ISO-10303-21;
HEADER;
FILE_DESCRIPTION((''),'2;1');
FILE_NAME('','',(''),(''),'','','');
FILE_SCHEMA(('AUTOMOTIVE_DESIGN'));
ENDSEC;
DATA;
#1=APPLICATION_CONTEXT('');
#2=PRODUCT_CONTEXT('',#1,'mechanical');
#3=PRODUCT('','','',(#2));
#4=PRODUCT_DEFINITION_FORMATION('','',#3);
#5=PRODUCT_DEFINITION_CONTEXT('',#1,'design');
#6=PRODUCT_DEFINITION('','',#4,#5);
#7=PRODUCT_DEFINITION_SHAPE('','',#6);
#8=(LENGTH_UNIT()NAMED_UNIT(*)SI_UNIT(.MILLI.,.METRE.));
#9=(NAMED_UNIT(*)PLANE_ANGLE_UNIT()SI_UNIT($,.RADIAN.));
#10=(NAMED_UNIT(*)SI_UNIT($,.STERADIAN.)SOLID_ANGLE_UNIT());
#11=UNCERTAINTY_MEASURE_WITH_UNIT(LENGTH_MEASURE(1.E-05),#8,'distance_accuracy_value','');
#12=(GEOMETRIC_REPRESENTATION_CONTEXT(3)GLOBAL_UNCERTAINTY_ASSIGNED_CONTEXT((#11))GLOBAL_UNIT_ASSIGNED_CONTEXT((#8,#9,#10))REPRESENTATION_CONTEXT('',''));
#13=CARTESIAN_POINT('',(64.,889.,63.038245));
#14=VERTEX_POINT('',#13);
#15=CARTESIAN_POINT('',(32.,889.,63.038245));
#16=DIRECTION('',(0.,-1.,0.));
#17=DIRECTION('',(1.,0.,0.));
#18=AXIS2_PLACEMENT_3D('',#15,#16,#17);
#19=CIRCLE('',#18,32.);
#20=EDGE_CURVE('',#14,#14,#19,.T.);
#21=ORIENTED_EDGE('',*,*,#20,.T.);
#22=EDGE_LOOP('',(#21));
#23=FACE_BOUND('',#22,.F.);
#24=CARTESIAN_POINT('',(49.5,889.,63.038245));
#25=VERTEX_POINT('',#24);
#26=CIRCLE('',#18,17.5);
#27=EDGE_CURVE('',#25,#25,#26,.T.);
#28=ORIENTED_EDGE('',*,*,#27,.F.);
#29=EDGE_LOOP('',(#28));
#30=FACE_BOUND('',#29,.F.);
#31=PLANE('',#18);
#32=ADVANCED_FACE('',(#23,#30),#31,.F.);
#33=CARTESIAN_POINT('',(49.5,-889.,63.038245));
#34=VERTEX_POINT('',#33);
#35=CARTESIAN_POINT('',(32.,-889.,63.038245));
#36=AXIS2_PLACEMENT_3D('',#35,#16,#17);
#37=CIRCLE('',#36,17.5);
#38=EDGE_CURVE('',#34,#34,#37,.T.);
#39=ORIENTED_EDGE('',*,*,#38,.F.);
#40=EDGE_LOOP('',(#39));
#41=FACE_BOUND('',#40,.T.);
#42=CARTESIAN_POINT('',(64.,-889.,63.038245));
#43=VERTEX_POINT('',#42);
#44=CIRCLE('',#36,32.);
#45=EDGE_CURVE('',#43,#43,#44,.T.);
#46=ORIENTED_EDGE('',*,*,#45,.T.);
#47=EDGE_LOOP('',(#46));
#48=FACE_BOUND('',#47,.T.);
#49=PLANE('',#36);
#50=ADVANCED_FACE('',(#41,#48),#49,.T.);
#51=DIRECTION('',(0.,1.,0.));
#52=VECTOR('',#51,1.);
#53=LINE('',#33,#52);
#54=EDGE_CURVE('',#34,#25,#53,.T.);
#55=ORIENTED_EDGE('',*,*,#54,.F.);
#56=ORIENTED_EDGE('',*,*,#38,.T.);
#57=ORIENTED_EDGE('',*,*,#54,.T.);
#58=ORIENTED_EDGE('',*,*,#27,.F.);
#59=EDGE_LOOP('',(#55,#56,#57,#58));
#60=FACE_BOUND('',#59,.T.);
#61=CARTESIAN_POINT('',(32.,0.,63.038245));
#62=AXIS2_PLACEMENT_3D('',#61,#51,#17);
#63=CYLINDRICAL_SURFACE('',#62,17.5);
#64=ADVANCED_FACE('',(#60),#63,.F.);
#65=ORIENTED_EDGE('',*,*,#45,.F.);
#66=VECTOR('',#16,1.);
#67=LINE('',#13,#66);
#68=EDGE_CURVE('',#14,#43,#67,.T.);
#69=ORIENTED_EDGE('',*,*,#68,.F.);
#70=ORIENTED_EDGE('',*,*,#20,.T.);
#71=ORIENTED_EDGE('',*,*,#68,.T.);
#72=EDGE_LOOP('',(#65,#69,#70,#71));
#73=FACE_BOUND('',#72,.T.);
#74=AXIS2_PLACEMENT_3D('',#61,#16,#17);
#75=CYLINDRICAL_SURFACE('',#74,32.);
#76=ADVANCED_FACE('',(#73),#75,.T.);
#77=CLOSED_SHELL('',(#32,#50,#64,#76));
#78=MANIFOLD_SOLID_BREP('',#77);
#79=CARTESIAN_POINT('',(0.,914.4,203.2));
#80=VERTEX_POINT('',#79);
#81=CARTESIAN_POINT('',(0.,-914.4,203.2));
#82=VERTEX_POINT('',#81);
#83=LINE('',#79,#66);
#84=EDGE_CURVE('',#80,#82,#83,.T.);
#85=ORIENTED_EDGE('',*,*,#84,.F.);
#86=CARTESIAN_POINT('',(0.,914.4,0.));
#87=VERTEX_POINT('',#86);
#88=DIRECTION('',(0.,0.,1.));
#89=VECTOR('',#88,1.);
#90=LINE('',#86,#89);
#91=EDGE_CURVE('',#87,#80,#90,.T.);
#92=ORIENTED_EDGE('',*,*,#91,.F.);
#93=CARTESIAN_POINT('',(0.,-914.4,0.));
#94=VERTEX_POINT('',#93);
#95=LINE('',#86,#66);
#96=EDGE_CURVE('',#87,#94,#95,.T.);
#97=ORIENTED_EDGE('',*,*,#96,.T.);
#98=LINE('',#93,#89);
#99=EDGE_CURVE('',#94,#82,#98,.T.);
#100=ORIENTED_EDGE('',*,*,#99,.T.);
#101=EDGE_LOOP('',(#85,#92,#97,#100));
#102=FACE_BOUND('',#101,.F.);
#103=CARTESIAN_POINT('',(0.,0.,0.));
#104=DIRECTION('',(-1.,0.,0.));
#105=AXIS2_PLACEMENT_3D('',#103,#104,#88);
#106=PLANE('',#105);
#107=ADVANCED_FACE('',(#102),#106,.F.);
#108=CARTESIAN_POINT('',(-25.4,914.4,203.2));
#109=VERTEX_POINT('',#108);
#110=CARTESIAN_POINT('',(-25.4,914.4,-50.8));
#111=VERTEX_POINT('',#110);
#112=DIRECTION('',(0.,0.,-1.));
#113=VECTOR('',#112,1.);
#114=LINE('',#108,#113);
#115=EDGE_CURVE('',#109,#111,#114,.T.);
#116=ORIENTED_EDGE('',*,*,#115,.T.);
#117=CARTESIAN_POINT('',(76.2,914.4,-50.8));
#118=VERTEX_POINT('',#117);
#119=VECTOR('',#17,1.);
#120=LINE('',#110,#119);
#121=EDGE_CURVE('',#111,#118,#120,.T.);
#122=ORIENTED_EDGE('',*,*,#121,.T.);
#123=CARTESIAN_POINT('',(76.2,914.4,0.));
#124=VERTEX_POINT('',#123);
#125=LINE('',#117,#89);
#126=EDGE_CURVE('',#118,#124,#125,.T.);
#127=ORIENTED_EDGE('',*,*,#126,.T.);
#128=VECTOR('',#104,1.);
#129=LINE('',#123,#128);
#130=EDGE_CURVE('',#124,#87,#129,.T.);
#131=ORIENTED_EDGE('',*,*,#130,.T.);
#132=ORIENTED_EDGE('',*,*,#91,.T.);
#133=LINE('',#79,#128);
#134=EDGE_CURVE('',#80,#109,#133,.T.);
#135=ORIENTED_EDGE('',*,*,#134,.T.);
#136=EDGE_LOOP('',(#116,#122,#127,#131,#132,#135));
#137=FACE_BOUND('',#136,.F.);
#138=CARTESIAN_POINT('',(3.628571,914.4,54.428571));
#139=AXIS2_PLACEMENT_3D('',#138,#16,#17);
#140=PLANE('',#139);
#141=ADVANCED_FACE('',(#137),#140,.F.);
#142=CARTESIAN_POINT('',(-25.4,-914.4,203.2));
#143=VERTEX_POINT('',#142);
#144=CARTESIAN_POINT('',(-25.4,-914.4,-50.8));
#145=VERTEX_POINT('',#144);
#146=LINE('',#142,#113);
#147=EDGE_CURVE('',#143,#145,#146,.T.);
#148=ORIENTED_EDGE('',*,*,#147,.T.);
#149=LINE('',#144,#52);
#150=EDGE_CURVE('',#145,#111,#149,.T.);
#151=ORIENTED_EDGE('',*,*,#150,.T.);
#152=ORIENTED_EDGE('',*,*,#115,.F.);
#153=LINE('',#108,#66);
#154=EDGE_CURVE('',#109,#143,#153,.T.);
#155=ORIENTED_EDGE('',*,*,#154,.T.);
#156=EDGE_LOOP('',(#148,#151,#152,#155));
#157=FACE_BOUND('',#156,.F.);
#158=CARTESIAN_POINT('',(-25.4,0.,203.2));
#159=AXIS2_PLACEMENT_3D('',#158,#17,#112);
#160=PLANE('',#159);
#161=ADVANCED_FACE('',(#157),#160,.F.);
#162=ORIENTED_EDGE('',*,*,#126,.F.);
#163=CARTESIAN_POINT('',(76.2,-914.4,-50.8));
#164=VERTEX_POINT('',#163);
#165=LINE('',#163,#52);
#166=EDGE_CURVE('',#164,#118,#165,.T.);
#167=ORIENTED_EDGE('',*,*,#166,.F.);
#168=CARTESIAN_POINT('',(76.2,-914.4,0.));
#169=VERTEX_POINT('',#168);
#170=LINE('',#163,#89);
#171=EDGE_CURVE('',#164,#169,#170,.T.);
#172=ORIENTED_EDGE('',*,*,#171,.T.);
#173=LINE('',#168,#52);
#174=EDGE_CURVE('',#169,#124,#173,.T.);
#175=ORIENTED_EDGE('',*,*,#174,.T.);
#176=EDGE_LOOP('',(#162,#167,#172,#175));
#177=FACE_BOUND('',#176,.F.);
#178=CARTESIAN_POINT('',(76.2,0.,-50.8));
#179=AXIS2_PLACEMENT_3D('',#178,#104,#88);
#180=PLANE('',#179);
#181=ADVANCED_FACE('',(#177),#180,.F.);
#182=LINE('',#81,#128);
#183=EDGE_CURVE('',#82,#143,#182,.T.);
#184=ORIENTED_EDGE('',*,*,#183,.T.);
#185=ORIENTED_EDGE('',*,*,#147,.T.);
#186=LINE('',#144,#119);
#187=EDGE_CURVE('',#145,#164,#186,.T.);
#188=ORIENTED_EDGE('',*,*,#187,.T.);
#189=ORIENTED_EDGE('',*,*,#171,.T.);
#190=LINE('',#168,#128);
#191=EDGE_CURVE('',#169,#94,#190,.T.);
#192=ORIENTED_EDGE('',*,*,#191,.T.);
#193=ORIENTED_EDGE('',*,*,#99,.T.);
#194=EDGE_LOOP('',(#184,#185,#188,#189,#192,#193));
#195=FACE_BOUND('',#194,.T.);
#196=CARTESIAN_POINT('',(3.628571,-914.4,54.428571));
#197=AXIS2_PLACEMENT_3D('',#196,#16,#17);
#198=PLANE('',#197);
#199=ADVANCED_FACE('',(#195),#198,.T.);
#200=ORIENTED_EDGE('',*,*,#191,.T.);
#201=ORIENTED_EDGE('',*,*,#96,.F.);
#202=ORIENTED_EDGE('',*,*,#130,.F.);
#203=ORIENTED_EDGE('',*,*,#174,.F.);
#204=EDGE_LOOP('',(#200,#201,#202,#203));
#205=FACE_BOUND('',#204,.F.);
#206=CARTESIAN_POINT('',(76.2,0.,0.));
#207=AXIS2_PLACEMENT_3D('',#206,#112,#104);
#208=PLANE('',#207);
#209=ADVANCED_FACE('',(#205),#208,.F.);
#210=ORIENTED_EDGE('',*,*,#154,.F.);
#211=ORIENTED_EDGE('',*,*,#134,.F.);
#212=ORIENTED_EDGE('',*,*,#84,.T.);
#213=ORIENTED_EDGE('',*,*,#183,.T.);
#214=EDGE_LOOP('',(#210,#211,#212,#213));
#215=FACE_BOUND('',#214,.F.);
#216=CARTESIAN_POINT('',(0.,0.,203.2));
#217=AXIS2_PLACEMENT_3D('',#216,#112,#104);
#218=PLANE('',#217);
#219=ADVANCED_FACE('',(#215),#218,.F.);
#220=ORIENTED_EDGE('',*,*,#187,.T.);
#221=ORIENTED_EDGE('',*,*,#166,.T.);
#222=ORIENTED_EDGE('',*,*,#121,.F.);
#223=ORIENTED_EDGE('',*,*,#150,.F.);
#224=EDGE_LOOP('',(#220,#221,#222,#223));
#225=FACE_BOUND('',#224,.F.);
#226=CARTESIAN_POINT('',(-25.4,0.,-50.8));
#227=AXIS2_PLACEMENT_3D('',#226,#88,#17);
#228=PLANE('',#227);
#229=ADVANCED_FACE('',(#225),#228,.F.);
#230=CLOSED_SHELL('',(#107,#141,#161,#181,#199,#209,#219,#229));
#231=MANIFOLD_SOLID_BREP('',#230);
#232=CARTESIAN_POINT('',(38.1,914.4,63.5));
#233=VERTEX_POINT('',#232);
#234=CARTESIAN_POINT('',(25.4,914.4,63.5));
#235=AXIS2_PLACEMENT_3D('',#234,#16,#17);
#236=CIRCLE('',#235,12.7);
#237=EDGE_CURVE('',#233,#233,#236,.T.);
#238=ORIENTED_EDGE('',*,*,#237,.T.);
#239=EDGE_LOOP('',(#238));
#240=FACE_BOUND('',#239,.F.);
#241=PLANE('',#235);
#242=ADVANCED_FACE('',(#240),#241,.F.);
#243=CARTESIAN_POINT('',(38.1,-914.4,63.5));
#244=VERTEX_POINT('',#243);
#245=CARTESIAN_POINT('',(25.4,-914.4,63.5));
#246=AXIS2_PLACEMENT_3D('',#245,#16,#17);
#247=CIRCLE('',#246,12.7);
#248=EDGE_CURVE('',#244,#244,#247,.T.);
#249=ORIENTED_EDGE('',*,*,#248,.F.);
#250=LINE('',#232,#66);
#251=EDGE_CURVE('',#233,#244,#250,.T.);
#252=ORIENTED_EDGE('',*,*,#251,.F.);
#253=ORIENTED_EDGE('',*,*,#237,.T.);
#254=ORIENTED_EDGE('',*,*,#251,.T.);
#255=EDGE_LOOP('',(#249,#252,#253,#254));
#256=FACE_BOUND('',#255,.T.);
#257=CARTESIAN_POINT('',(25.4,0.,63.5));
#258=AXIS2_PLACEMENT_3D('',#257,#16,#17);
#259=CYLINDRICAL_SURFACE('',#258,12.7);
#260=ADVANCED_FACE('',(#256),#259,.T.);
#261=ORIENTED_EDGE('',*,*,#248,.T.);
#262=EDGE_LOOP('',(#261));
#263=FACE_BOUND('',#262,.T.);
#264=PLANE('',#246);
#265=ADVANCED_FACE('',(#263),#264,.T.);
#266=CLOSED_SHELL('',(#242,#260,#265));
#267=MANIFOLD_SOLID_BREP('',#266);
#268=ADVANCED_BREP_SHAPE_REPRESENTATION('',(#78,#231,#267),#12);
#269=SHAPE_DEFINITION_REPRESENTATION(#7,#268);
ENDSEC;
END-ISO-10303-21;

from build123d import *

# Parameters (mm, degrees)
F0_R     = 12.7
F1_DEPTH = 914.4
F2_R     = 32
F2_R_2   = 17.5
F3_DEPTH = 889


with BuildPart() as f1:
    # F0 (on Front) → F1 (new body, symmetric)
    with BuildSketch(Plane.XZ):
        Polygon((76.2, 0), (0, 0), (0, 203.2), (-25.4, 203.2), (-25.4, -50.8), (76.2, -50.8), align=None)
        with Locations((25.4, 63.5)):
            Circle(F0_R)
    extrude(amount=F1_DEPTH, both=True)


with BuildPart() as f3:
    # F2 (on Front) → F3 (new body, symmetric)
    with BuildSketch(Plane.XZ):
        with Locations((32, 63.038245)):
            Circle(F2_R)
        with Locations((32, 63.038245)):
            Circle(F2_R_2, mode=Mode.SUBTRACT)
    extrude(amount=F3_DEPTH, both=True)


solid = Compound([f1.part, f3.part])
